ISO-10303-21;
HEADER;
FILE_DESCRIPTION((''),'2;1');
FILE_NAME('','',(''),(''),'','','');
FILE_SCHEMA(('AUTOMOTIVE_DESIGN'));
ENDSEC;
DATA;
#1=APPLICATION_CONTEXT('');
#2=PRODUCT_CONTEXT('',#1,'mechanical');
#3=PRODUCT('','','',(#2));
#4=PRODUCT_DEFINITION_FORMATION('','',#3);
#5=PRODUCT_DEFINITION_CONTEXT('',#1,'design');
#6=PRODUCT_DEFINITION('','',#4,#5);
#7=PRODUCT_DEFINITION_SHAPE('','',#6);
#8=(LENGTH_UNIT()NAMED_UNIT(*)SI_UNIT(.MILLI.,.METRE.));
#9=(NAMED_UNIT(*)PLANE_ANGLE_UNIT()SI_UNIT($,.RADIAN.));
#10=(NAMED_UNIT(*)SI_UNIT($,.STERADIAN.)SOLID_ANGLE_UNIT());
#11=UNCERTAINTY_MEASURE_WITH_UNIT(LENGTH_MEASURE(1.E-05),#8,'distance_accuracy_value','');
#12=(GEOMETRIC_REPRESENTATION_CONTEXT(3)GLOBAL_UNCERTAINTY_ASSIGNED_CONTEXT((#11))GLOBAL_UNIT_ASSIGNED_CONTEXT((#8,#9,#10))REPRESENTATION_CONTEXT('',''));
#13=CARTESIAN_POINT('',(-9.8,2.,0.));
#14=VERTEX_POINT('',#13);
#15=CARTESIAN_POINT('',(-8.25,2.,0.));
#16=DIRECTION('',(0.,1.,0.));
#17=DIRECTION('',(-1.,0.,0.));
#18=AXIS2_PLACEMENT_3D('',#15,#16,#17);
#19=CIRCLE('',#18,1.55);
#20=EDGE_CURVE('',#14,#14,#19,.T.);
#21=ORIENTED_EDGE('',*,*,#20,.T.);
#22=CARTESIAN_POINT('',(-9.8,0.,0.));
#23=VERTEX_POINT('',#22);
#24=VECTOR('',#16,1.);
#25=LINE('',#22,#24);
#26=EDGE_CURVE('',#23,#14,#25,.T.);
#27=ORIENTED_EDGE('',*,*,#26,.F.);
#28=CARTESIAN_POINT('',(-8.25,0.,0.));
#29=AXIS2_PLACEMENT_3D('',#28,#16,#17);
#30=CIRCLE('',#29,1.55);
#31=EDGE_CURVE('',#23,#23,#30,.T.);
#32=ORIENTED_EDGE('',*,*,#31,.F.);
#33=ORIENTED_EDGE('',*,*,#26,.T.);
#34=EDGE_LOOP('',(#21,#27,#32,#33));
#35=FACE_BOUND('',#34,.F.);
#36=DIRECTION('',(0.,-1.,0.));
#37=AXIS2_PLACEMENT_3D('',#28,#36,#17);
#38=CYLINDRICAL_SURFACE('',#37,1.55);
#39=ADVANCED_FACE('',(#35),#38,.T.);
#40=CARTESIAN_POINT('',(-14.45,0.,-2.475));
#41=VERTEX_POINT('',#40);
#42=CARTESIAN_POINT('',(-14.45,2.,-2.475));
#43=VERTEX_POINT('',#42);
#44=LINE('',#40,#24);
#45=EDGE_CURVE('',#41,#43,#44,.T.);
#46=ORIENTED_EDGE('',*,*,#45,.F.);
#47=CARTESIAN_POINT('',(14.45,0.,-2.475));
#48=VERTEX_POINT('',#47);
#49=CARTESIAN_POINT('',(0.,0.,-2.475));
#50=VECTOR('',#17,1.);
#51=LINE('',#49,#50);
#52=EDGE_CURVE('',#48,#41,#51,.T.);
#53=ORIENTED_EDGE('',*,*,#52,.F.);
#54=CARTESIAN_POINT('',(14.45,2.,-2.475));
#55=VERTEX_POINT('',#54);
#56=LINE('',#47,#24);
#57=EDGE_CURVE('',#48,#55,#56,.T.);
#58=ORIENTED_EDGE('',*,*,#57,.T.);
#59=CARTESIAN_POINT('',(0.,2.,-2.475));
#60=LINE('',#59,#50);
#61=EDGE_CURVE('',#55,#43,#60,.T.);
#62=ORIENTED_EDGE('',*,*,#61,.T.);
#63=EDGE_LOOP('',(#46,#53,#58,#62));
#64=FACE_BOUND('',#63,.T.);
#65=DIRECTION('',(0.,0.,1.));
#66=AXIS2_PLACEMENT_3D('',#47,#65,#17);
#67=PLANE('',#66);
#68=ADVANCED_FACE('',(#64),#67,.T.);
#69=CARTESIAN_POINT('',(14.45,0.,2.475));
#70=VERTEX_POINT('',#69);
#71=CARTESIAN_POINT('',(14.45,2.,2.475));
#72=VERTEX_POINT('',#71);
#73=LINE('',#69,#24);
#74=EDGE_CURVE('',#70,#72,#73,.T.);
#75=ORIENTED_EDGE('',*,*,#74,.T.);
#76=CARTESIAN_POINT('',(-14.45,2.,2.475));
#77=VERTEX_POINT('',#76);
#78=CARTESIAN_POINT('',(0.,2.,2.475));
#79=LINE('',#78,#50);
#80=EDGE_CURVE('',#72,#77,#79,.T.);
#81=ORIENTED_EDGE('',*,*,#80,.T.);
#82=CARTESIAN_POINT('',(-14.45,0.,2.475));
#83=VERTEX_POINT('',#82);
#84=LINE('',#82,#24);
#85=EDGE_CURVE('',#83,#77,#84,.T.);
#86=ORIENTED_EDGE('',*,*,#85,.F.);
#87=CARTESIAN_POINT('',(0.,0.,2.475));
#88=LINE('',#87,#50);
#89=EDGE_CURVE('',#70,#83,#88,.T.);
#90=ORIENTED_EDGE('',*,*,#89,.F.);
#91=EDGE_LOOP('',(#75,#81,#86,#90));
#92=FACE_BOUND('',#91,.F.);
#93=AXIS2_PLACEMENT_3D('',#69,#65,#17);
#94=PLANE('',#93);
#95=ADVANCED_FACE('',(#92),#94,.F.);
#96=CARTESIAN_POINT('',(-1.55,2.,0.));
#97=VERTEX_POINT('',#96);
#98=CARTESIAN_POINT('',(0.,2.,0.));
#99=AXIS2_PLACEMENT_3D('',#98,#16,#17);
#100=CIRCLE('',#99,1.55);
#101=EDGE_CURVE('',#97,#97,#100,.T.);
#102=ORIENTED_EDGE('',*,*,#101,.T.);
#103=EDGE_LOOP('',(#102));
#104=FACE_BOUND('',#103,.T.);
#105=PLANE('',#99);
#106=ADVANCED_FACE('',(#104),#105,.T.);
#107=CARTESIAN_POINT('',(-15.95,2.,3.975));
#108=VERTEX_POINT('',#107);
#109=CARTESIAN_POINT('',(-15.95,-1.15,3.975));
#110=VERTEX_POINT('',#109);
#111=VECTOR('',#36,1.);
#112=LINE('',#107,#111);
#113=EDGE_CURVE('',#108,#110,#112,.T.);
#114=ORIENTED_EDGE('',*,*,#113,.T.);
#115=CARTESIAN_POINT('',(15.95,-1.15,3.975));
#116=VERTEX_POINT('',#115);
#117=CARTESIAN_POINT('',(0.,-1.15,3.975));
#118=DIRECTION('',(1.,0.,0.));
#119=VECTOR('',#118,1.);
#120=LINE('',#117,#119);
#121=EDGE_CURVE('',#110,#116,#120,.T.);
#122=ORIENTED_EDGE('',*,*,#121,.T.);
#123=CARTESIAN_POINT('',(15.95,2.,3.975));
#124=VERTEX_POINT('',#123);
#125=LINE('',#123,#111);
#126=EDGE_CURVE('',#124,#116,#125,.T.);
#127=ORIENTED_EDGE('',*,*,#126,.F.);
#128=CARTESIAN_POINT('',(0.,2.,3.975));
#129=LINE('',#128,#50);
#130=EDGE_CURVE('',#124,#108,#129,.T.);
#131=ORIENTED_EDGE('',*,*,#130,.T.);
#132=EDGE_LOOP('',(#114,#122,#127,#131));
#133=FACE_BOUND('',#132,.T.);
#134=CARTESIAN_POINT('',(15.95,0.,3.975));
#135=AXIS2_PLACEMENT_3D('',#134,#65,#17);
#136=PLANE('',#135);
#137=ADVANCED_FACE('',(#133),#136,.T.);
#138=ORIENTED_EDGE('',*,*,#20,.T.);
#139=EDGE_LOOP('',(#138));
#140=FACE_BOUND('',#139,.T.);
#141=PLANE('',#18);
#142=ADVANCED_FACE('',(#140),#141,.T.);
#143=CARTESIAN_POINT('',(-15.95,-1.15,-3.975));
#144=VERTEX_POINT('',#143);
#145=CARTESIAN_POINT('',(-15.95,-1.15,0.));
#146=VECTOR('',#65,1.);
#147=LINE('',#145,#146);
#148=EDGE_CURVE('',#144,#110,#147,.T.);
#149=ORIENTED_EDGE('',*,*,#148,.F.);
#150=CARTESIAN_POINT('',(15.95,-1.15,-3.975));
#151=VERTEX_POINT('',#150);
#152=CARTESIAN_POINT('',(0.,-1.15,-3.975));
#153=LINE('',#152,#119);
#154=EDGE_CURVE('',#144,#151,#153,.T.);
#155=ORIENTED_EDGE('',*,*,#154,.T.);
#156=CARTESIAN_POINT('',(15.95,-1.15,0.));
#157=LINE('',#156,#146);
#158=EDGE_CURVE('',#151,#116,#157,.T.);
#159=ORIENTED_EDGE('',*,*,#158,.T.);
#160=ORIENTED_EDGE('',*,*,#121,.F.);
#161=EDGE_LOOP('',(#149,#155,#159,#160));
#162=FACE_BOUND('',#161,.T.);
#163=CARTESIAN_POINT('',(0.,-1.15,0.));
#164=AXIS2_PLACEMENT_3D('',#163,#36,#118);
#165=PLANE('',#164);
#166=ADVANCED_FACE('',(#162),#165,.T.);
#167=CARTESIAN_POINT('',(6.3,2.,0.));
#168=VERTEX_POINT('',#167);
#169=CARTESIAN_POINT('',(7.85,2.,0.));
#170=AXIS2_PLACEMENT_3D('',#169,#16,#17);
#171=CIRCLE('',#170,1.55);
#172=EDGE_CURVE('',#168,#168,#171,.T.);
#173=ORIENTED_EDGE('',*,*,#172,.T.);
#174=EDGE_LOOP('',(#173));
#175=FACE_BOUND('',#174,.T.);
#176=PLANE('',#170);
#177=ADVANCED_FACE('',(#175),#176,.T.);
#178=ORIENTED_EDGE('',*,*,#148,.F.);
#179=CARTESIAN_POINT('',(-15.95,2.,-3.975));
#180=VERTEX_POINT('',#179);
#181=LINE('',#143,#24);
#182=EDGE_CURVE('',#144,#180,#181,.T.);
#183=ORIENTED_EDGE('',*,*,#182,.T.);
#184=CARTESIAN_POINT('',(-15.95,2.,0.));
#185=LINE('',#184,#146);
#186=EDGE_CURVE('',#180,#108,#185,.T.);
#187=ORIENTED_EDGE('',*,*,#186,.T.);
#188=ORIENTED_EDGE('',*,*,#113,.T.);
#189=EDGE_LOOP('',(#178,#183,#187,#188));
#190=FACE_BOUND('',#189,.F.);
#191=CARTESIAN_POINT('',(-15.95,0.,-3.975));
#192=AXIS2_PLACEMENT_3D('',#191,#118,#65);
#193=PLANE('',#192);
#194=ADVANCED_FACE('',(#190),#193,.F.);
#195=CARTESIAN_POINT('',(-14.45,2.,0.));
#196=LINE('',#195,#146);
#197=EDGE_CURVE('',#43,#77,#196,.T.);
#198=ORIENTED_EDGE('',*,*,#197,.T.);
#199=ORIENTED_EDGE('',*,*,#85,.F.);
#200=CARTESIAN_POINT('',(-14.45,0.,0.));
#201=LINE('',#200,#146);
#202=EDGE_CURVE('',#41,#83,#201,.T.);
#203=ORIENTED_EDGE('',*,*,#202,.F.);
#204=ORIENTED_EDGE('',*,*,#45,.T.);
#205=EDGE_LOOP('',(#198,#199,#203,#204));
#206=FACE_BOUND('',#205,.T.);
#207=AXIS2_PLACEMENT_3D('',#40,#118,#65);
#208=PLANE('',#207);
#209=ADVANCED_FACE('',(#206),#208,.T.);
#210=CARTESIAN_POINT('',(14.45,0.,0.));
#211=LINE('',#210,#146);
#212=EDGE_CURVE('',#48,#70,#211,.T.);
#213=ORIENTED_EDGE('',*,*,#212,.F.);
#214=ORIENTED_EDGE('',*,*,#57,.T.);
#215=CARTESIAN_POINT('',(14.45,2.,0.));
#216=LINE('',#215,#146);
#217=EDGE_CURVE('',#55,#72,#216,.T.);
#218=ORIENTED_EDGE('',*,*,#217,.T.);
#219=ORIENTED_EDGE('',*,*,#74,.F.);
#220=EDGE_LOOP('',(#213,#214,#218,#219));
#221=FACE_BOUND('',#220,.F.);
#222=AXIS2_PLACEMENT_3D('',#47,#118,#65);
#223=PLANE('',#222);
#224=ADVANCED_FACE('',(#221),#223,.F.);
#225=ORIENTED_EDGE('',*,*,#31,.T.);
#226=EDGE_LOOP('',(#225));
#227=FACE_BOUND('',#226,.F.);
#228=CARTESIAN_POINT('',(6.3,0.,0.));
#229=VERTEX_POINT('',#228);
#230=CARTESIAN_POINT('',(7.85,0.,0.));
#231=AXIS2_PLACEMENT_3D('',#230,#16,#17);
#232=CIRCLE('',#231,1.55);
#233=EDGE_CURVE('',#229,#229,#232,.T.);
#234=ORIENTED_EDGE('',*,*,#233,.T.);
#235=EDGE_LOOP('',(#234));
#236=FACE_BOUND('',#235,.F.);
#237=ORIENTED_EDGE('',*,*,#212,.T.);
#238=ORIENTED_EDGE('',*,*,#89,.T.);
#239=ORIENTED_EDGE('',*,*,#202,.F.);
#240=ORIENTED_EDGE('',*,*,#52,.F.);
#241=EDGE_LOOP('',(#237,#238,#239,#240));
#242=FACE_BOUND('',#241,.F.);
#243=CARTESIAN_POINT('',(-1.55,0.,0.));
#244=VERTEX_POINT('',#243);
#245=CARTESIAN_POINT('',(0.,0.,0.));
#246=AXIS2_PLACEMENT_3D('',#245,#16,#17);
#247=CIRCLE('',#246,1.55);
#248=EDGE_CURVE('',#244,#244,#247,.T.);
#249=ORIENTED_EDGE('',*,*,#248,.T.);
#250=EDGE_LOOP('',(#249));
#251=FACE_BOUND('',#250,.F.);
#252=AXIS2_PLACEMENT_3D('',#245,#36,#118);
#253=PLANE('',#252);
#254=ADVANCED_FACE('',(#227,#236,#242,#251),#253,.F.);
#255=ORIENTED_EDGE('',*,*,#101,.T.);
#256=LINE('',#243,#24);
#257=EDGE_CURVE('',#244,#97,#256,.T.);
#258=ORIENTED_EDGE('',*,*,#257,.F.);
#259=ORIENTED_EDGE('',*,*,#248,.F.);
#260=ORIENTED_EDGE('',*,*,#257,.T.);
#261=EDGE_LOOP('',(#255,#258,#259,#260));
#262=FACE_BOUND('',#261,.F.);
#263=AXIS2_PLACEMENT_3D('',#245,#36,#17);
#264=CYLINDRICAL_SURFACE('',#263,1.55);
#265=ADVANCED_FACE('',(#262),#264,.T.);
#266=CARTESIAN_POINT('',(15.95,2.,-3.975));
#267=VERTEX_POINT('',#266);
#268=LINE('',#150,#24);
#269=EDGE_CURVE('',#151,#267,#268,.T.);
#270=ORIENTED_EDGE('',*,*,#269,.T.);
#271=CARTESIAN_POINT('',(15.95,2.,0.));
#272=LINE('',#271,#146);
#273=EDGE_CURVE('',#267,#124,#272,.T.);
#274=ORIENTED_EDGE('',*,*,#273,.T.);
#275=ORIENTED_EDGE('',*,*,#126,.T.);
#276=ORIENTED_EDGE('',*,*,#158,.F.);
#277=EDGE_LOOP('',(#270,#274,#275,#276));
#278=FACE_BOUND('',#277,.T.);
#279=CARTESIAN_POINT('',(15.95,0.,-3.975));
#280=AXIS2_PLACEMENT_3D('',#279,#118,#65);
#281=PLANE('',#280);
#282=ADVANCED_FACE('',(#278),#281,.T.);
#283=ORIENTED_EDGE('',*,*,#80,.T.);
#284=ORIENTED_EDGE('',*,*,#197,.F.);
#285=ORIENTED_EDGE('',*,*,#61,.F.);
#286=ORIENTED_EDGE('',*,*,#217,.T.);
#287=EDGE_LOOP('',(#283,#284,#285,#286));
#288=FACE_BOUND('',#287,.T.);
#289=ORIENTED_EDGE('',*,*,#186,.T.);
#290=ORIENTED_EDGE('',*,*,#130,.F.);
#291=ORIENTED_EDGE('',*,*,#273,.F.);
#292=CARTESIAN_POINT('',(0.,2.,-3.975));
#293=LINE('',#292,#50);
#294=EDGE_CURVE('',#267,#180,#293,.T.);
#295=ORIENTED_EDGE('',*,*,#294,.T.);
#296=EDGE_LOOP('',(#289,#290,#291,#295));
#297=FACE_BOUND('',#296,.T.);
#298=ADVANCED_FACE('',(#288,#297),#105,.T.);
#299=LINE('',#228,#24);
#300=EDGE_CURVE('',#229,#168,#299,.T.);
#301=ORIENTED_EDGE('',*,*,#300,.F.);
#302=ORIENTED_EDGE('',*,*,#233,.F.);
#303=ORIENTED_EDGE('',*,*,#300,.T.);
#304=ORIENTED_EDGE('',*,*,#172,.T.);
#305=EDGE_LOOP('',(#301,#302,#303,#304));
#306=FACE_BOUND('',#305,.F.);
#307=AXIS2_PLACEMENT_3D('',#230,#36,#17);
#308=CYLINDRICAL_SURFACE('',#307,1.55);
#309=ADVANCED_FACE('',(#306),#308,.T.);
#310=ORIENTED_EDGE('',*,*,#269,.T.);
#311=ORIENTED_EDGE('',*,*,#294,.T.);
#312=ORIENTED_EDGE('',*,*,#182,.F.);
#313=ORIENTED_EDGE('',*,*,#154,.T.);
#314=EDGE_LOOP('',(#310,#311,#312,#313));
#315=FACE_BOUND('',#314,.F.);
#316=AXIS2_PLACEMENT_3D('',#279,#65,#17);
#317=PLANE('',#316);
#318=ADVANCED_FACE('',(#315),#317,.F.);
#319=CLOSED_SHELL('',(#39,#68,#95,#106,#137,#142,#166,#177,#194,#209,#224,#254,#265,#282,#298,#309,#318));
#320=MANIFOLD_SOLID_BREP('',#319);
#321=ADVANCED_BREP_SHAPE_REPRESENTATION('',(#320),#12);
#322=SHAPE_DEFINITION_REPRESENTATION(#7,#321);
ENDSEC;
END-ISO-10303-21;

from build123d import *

# Parameters (mm, degrees)
F0_W     = 31.9
F0_H     = 7.95
F1_DEPTH = 1.15
F2_W     = 31.9
F2_H     = 7.95
F2_W_2   = 28.9
F2_H_2   = 4.95
F2_R     = 1.55
F3_DEPTH = 2


with BuildPart() as f1:
    # F0 (on Front) → F1 (new body)
    with BuildSketch(Plane.XZ):
        Rectangle(F0_W, F0_H)
    extrude(amount=F1_DEPTH)

    # F2 (on face) → F3 (join)
    with BuildSketch(Plane(origin=(0, 0, 0), x_dir=(-1, 0, 0), z_dir=(0, 1, 0))):
        Rectangle(F2_W, F2_H)
        Rectangle(F2_W_2, F2_H_2, mode=Mode.SUBTRACT)
        with Locations((-7.85, 0)):
            Circle(F2_R)
        Circle(F2_R)
        with Locations((8.25, 0)):
            Circle(F2_R)
    extrude(amount=F3_DEPTH)


solid = f1.part
